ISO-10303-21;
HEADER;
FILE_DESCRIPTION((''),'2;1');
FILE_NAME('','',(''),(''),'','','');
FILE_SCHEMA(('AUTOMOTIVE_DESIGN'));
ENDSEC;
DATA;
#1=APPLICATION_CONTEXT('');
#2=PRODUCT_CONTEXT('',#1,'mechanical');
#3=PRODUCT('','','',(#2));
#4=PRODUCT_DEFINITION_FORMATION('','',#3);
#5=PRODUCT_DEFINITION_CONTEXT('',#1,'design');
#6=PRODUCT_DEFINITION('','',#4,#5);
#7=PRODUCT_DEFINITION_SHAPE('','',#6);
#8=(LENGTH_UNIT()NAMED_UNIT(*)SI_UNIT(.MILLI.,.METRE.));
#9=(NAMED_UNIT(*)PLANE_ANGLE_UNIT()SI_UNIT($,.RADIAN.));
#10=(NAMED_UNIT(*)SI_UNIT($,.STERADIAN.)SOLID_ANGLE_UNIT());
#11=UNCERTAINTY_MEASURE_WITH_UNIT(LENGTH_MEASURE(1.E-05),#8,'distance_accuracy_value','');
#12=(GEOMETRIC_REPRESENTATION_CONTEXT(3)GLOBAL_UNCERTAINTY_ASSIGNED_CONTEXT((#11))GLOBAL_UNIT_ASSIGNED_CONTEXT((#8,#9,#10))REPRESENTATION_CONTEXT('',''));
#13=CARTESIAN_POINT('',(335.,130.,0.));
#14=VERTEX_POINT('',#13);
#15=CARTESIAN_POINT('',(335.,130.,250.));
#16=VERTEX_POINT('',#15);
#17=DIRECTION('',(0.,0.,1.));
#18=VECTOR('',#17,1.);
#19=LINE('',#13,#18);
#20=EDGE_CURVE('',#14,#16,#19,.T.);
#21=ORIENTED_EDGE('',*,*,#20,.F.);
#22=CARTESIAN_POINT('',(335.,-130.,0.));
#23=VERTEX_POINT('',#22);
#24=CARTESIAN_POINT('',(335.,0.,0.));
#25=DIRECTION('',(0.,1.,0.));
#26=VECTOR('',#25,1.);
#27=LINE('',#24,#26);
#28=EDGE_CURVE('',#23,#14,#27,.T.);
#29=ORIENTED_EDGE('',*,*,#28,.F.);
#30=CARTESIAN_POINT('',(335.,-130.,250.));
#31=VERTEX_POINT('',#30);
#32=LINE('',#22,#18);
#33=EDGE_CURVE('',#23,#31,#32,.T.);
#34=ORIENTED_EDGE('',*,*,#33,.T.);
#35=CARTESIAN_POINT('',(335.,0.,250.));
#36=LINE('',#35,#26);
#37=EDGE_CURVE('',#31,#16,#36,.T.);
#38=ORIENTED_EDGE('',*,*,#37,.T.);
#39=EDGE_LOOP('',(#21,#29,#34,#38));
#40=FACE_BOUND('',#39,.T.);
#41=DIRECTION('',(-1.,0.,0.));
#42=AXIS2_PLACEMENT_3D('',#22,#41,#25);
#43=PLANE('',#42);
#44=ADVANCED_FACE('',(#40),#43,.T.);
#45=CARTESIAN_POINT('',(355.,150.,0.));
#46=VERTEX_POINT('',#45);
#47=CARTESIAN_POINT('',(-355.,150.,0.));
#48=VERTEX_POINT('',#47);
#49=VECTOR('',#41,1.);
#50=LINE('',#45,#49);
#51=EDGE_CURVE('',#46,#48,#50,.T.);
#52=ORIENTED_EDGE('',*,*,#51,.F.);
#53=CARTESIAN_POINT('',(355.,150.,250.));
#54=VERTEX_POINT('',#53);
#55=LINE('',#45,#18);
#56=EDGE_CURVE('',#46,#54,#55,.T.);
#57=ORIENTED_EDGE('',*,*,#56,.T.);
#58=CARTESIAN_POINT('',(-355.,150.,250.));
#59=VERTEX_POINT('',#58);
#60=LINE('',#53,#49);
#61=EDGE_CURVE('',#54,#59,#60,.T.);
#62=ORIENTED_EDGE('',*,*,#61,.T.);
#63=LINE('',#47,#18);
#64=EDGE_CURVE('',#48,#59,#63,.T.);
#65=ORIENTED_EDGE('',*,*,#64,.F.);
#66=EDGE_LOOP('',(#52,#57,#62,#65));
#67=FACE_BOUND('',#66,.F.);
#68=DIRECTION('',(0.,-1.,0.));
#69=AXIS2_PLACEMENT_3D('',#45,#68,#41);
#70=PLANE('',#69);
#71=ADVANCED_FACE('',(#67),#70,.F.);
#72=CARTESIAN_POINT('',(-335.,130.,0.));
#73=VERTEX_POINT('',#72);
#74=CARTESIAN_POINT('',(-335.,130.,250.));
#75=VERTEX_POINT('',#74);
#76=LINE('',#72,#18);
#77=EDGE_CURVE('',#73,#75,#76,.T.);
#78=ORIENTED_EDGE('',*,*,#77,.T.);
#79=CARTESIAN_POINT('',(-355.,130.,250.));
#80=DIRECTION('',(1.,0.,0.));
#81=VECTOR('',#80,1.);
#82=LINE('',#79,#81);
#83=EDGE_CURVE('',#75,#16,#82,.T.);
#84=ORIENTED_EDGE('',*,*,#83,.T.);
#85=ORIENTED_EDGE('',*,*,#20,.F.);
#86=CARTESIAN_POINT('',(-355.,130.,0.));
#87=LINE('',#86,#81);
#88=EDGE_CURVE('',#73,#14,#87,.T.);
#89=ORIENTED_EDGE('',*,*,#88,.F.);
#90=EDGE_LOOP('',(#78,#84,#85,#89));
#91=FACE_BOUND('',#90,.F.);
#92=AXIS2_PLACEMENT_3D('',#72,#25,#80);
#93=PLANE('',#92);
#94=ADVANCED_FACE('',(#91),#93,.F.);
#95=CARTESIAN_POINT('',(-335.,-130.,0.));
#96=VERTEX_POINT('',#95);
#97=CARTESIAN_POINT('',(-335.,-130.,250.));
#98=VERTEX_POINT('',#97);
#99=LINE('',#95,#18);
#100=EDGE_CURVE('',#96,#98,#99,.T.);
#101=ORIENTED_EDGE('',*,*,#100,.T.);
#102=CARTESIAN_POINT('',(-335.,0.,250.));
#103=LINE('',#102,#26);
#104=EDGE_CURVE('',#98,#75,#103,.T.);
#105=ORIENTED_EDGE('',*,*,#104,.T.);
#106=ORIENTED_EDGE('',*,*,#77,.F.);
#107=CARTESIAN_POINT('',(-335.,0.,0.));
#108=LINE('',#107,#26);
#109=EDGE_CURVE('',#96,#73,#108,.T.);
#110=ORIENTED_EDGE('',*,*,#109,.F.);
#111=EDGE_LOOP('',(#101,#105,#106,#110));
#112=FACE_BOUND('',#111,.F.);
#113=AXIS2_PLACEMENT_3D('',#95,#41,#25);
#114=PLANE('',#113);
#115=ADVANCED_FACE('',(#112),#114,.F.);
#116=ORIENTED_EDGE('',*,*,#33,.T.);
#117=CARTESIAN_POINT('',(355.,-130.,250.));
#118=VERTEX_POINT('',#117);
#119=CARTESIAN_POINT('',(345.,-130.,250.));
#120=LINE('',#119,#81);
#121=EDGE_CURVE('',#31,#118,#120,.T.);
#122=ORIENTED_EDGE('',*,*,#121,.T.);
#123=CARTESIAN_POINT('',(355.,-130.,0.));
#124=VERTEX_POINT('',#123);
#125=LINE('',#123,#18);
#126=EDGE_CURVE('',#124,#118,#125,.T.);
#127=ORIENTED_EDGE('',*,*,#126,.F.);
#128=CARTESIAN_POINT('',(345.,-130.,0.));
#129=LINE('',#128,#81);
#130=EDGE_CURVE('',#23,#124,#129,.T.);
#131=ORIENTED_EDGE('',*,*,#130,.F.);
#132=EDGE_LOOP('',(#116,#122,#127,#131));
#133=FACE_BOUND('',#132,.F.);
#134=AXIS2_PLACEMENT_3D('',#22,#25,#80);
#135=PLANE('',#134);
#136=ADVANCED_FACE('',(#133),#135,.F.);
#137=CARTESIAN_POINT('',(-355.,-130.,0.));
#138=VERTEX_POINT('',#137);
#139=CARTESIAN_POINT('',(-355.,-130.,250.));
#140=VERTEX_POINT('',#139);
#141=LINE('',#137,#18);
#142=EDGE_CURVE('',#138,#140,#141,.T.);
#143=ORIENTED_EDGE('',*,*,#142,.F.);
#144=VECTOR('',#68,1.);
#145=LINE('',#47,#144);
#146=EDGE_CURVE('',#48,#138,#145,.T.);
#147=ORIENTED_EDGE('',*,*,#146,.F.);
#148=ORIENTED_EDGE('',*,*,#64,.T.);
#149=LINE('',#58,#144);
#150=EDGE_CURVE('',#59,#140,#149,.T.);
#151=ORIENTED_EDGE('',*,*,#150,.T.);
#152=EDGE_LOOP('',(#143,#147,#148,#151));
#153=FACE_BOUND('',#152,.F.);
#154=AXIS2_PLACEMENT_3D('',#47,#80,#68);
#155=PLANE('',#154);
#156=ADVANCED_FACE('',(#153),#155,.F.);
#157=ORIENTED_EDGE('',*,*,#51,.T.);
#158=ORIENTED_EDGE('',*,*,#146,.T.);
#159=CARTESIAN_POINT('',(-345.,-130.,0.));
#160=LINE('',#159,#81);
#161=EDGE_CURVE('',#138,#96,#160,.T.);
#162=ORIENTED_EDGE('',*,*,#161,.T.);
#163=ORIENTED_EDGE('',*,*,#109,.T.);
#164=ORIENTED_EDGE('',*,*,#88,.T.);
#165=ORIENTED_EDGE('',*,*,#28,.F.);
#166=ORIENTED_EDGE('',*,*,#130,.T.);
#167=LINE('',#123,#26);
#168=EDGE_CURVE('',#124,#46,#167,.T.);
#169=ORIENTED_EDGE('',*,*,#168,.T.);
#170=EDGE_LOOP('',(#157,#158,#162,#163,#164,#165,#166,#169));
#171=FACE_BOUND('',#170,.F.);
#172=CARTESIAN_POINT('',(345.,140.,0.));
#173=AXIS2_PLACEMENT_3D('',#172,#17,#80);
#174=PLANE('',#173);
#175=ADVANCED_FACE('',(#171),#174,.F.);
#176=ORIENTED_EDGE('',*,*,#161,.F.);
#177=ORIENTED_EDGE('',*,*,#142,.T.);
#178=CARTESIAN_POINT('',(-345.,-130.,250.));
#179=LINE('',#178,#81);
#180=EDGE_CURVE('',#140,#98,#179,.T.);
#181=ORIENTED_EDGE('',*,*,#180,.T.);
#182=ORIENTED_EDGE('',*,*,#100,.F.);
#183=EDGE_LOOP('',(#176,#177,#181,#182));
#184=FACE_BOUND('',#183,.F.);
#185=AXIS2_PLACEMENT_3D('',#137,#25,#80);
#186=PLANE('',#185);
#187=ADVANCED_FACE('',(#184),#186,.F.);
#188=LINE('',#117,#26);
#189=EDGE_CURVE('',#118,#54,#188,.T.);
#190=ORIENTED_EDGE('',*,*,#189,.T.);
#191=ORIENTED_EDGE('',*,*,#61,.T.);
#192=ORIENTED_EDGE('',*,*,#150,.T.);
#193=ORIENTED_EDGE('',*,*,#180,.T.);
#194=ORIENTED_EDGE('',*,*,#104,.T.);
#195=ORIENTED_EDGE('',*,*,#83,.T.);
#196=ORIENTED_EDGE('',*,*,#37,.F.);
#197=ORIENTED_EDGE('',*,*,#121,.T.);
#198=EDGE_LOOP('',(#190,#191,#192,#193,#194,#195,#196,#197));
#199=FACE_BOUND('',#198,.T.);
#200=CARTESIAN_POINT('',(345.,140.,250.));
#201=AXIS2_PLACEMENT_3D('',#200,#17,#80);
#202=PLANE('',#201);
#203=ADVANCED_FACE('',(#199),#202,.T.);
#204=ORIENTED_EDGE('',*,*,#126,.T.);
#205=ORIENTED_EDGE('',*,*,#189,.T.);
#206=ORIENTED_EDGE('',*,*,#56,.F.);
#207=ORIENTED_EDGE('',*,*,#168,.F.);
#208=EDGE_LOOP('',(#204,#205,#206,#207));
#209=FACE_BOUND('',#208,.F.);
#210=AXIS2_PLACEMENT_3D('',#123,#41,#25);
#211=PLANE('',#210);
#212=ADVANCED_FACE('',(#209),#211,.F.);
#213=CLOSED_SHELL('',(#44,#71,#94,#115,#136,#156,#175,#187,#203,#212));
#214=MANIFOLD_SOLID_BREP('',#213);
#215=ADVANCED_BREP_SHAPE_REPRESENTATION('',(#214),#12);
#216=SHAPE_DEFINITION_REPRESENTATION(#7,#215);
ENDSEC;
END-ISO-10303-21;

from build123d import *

# Parameters (mm, degrees)
F0_W     = 20
F0_H     = 20
F0_W_2   = 670
F0_H_2   = 260
F1_DEPTH = 250


with BuildPart() as f1:
    # F0 (on Top) → F1 (new body)
    with BuildSketch(Plane.XY):
        with Locations((345, 140)):
            Rectangle(F0_W, F0_H)
        with Locations((-345, 140)):
            Rectangle(F0_W, F0_H)
        with Locations((0, 140)):
            Rectangle(F0_W_2, F0_H)
        with Locations((345, 0)):
            Rectangle(F0_W, F0_H_2)
        with Locations((-345, 0)):
            Rectangle(F0_W, F0_H_2)
    extrude(amount=F1_DEPTH)


solid = f1.part
